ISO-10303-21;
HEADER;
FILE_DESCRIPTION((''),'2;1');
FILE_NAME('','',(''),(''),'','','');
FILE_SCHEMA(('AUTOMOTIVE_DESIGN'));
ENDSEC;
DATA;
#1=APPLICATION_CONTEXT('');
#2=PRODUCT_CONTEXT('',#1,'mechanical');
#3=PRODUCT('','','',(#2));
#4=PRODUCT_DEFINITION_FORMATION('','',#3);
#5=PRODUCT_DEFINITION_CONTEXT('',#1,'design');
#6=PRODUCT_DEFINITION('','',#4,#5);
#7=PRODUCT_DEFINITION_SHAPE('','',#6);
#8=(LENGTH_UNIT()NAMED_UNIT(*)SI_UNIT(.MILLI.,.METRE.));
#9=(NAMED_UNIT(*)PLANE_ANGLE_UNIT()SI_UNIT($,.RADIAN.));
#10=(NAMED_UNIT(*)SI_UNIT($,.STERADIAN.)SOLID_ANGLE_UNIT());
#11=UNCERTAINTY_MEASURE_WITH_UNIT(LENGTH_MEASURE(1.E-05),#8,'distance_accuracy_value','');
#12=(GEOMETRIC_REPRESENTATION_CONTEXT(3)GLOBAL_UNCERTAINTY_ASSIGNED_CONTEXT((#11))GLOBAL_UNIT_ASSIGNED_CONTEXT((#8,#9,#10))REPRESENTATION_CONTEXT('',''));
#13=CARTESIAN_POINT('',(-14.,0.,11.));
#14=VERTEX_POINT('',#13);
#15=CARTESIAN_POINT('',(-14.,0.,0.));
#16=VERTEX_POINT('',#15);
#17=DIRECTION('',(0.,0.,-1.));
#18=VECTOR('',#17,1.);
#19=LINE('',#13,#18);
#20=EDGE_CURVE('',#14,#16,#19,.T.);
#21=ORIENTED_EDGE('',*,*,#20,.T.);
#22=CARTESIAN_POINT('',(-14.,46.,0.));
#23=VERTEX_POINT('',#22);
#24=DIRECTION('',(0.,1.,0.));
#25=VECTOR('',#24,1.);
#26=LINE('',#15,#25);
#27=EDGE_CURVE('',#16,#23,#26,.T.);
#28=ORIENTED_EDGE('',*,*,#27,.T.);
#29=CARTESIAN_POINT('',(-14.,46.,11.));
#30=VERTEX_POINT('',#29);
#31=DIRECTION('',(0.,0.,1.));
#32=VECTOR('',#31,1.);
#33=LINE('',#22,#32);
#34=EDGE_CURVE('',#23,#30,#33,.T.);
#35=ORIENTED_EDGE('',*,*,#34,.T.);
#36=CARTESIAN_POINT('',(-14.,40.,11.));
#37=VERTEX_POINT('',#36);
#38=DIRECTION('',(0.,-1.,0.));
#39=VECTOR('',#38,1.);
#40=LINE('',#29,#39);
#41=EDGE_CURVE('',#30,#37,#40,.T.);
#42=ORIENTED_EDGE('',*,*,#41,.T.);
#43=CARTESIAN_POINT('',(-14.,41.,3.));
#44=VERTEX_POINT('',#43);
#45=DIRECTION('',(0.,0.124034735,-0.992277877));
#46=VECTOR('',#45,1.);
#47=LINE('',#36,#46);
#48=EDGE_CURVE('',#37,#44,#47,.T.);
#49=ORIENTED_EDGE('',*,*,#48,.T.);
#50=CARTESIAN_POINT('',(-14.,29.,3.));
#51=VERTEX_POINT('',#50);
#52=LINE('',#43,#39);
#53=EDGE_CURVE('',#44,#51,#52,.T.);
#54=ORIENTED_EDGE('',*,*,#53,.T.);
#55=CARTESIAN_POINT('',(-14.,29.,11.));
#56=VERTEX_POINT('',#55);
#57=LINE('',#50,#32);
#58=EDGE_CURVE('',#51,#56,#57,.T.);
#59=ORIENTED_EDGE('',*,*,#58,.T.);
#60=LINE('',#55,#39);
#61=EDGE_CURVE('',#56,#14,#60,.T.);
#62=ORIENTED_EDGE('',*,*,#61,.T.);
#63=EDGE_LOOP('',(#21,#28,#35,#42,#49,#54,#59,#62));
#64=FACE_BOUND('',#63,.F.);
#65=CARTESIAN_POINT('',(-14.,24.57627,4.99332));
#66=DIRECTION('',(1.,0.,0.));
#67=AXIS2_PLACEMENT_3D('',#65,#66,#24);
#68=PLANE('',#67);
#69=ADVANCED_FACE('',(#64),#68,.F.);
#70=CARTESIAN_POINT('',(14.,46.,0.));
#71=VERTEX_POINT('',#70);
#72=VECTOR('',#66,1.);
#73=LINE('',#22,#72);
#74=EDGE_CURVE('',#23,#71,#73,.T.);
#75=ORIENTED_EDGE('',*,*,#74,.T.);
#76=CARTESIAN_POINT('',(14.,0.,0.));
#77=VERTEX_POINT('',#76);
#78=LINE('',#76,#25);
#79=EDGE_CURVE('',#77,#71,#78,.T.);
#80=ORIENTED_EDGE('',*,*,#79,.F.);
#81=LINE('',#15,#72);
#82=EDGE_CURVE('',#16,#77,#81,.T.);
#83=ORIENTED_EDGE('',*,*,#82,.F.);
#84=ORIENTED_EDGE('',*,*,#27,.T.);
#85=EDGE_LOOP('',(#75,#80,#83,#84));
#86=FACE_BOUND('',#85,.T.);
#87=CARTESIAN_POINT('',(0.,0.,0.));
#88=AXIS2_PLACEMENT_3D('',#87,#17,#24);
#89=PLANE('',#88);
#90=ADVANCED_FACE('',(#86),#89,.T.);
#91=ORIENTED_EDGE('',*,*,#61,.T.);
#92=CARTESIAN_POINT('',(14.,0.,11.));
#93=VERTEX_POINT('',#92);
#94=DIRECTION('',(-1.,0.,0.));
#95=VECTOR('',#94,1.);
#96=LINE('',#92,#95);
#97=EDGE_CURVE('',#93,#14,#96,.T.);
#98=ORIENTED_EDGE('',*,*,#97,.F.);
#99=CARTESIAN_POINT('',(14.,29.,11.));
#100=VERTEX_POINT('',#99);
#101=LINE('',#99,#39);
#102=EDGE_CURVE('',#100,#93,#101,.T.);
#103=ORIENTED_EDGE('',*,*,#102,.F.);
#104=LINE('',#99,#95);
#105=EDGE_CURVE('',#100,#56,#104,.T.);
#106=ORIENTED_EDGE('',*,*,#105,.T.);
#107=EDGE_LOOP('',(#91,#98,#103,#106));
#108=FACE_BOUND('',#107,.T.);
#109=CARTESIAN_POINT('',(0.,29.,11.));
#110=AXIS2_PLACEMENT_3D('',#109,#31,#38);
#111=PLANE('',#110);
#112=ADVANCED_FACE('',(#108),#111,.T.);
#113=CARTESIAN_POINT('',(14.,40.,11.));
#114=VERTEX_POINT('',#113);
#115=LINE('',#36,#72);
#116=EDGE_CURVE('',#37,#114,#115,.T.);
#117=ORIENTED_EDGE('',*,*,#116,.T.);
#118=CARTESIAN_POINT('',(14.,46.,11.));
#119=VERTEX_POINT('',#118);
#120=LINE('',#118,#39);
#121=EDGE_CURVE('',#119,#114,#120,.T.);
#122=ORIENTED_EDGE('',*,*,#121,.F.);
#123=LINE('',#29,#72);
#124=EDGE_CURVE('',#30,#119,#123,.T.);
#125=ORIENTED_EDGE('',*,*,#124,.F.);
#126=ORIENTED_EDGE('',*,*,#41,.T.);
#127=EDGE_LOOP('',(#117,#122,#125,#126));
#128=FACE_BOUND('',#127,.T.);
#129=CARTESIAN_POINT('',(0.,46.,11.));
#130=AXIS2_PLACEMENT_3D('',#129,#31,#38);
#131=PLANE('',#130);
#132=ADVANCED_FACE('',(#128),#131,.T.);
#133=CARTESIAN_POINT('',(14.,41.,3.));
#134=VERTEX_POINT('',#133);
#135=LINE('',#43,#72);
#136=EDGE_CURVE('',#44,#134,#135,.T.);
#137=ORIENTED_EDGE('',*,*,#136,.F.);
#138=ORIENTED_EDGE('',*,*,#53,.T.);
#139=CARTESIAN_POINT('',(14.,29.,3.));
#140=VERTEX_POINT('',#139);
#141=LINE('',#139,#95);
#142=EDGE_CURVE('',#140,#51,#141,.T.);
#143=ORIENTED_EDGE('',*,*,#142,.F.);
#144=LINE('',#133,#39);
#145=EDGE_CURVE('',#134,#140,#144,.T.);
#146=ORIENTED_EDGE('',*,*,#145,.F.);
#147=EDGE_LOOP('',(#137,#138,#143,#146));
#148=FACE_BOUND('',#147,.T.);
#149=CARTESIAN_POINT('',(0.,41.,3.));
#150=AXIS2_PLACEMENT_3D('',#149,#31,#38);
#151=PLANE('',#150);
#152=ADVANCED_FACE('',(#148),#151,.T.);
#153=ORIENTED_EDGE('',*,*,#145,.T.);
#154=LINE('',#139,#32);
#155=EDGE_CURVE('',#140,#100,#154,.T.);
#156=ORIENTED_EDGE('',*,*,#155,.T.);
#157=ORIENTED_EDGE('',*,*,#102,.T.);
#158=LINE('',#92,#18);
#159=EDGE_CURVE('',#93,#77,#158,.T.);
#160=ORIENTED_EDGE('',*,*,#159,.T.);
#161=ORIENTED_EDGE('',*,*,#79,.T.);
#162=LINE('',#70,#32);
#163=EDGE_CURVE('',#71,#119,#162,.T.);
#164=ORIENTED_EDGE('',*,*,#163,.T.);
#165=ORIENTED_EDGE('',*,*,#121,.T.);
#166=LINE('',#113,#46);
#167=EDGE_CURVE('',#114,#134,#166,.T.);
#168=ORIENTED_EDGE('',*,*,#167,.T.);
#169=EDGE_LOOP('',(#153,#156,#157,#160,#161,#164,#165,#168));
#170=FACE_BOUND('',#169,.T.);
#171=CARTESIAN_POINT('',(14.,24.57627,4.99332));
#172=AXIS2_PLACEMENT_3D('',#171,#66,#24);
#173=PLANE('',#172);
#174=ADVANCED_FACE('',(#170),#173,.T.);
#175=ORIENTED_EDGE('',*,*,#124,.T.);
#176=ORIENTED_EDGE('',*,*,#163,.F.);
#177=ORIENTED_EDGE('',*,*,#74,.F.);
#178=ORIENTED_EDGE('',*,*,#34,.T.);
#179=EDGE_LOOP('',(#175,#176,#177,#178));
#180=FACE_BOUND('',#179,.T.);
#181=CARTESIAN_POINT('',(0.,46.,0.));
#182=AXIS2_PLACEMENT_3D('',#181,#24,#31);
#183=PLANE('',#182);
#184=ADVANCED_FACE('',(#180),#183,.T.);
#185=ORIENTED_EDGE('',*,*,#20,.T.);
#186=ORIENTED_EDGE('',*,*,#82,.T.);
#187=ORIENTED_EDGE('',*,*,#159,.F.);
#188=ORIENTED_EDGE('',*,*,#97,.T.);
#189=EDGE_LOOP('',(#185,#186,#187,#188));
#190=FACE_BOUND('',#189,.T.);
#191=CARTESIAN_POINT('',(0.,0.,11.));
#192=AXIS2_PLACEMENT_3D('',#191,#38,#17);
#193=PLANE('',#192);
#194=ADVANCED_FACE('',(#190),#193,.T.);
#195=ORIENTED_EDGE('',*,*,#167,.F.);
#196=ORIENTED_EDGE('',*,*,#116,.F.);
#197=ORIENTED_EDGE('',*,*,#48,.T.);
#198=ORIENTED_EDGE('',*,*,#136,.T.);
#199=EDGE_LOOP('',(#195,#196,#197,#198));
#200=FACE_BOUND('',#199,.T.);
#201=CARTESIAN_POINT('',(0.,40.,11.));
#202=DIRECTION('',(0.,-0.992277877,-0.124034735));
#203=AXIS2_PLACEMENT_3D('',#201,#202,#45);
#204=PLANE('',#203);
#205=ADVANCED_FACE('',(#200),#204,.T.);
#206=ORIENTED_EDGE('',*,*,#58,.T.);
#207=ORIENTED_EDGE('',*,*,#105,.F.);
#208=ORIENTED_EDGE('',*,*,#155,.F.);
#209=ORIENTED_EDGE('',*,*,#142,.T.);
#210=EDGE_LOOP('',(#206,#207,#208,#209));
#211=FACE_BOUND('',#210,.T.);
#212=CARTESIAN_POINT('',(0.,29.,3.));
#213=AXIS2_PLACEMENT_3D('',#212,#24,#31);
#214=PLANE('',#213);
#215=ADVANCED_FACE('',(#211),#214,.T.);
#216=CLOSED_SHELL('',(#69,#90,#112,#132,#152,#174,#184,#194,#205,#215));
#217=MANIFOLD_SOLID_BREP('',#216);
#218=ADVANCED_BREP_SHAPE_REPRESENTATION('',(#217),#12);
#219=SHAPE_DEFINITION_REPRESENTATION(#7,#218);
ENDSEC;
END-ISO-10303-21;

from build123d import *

# Parameters (mm, degrees)
PAD_DEPTH = 14


with BuildPart() as part:
    # Sketch → Pad (new body, symmetric)
    with BuildSketch(Plane.YZ):
        Polygon((0, 11), (0, 0), (46, 0), (46, 11), (40, 11), (41, 3), (29, 3), (29, 11), align=None)
    extrude(amount=PAD_DEPTH, both=True)


solid = part.part
